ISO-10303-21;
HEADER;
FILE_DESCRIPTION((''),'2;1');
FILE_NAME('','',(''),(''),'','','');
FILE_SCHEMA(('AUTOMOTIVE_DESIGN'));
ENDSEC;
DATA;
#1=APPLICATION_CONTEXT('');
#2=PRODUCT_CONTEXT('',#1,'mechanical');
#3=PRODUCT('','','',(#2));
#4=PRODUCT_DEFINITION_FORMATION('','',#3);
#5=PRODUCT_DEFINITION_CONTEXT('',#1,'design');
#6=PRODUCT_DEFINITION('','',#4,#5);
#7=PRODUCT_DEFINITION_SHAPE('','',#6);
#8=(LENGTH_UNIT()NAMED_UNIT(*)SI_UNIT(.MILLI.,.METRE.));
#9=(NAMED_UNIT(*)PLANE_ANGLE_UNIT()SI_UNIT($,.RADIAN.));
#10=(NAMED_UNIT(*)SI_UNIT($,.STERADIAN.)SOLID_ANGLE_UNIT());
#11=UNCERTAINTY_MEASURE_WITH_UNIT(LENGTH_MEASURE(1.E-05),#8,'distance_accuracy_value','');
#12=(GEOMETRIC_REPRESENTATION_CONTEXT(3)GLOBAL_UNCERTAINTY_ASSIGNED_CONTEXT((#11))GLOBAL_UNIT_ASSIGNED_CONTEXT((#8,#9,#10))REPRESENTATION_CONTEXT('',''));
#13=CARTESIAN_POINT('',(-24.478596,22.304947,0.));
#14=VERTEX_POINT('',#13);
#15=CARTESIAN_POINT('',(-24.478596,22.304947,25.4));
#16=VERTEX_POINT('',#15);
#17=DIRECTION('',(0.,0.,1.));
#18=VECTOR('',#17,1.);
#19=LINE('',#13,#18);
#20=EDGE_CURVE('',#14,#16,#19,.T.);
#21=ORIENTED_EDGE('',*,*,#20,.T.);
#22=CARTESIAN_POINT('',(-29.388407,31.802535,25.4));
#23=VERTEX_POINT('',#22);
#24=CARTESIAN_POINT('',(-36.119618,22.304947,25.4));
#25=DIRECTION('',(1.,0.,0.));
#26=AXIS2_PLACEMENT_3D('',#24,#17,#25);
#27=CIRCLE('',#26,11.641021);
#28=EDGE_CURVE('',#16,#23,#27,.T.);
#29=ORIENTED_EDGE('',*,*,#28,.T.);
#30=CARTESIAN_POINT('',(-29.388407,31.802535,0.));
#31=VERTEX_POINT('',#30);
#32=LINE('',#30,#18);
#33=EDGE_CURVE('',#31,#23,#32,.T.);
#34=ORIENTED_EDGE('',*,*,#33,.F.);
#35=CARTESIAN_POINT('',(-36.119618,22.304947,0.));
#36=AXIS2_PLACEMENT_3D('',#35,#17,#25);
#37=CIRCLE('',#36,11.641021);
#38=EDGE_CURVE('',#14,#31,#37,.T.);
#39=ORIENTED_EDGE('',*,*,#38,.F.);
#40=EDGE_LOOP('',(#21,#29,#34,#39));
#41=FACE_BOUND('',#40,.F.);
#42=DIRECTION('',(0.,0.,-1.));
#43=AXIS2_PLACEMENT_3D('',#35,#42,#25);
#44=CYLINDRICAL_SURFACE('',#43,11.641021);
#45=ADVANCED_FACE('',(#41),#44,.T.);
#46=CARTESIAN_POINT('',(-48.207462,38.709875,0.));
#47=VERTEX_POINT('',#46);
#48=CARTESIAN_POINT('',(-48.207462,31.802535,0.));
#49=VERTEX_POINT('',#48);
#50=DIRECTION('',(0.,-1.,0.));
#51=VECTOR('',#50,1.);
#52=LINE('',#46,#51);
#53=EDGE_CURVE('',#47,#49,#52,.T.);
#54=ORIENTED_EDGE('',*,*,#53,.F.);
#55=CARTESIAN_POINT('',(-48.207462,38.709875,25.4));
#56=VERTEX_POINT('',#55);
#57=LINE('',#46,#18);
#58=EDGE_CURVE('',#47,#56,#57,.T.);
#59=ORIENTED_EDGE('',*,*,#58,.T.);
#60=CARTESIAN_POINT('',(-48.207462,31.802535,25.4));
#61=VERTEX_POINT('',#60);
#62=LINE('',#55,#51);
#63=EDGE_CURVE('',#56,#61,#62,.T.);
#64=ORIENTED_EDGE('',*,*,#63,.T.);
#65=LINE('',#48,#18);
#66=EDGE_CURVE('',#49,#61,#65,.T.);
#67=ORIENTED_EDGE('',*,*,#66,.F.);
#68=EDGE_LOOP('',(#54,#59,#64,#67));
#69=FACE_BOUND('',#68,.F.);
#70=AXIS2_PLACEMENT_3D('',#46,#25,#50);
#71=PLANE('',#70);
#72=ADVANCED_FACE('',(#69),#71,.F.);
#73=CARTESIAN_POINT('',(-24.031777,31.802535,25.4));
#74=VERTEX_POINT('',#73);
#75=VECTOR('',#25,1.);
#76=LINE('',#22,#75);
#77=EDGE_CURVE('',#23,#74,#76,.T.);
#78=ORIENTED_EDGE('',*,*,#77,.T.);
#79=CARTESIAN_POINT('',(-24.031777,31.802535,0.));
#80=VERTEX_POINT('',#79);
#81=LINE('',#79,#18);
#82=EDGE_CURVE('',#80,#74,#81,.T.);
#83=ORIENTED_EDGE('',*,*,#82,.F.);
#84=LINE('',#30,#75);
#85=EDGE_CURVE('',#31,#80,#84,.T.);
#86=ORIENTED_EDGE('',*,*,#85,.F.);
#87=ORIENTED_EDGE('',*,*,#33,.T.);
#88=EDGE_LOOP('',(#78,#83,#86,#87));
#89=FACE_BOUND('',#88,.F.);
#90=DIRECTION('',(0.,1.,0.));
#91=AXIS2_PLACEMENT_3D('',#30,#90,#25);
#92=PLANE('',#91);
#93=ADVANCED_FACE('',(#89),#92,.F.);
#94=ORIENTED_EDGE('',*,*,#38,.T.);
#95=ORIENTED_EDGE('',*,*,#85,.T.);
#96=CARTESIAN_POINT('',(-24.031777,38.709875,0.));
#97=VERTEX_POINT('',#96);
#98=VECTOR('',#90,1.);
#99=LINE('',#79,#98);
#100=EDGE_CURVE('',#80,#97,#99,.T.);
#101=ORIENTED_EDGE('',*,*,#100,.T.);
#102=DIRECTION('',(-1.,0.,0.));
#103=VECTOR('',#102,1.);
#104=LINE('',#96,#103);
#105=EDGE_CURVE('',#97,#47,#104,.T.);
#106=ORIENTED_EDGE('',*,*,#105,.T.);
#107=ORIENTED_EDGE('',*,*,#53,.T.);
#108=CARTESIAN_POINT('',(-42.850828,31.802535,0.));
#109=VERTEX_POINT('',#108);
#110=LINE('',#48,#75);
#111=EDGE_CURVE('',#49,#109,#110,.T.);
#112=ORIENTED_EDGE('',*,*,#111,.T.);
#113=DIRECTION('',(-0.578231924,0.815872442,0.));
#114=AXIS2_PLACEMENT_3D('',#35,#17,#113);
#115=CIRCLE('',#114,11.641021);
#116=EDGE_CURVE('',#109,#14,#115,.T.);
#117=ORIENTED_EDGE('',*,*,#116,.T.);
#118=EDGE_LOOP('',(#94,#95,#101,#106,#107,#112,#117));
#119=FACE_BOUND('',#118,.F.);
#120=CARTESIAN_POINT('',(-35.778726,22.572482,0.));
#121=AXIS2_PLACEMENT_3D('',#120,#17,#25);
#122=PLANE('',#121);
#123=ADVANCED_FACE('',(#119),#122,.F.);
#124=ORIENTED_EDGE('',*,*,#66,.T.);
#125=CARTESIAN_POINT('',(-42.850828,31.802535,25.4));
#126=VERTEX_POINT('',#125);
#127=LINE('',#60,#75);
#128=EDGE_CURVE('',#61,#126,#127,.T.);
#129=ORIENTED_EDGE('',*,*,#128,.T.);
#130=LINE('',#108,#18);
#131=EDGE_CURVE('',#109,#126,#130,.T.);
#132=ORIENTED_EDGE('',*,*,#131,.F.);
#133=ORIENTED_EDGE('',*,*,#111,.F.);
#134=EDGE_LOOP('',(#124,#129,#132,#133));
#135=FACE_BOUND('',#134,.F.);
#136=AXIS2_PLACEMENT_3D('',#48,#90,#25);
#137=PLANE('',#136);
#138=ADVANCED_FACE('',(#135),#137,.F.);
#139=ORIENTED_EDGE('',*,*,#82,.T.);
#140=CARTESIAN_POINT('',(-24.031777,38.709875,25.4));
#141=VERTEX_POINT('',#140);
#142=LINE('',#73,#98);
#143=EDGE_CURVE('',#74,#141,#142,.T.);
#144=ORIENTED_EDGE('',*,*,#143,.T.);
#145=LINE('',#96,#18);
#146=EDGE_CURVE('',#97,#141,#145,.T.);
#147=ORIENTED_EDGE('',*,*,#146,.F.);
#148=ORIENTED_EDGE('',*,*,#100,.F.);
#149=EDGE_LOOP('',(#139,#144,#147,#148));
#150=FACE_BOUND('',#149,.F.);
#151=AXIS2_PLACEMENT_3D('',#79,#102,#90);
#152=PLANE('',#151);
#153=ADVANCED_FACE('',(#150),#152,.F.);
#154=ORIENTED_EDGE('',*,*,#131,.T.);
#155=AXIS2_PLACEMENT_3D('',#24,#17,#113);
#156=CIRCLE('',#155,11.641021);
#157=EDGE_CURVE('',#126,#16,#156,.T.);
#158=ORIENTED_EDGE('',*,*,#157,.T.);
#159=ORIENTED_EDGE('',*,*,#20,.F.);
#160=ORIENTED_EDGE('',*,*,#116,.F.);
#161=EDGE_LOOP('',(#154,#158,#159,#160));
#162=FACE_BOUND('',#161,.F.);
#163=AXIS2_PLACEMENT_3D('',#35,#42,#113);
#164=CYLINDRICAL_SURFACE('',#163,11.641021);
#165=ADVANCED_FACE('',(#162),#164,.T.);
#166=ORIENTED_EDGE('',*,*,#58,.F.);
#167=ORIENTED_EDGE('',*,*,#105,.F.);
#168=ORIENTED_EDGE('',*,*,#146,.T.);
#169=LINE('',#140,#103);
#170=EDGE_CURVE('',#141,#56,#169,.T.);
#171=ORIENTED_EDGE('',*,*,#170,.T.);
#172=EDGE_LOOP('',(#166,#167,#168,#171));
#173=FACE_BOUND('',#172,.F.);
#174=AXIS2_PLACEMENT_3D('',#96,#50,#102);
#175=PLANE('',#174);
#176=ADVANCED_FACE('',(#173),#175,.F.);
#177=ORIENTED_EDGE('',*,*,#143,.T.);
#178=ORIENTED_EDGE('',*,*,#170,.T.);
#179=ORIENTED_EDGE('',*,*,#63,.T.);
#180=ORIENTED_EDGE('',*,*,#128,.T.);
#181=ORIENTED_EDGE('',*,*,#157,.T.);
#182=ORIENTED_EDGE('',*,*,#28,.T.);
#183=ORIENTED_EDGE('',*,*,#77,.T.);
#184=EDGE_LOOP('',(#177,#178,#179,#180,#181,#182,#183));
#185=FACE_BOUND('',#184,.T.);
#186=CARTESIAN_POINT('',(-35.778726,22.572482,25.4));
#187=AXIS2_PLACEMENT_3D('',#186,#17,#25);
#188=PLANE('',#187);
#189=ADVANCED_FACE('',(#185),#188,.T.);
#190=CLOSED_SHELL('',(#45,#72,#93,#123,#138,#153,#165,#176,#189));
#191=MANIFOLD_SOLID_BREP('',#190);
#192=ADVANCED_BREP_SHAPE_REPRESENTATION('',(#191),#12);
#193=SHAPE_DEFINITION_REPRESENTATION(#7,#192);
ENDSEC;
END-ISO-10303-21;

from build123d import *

# Parameters (mm, degrees)
F1_DEPTH = 25.4


with BuildPart() as f1:
    # F0 (on Top) → F1 (new body)
    with BuildSketch(Plane.XY):
        with BuildLine():
            ThreePointArc((-42.8508276872, 31.8025350571), (-41.4654203847, 11.9639712949), (-24.4785961914, 22.3049465567))
            ThreePointArc((-24.4785961914, 22.3049465567), (-25.77864226, 27.6507494196), (-29.3884073564, 31.8025350571))
            Line((-29.3884073564, 31.8025350571), (-42.8508276872, 31.8025350571))
        make_face()
        with BuildLine():
            Line((-42.8508276872, 31.8025350571), (-29.3884073564, 31.8025350571))
            ThreePointArc((-29.3884073564, 31.8025350571), (-36.1196175218, 33.945967887), (-42.8508276872, 31.8025350571))
        make_face()
        with BuildLine():
            ThreePointArc((-42.8508276872, 31.8025350571), (-36.1196175218, 33.945967887), (-29.3884073564, 31.8025350571))
            Line((-29.3884073564, 31.8025350571), (-24.0317769349, 31.8025350571))
            Line((-24.0317769349, 31.8025350571), (-24.0317769349, 38.7098751962))
            Line((-24.0317769349, 38.7098751962), (-48.207461834, 38.7098751962))
            Line((-48.207461834, 38.7098751962), (-48.207461834, 31.8025350571))
            Line((-48.207461834, 31.8025350571), (-42.8508276872, 31.8025350571))
        make_face()
    extrude(amount=F1_DEPTH)


solid = f1.part
